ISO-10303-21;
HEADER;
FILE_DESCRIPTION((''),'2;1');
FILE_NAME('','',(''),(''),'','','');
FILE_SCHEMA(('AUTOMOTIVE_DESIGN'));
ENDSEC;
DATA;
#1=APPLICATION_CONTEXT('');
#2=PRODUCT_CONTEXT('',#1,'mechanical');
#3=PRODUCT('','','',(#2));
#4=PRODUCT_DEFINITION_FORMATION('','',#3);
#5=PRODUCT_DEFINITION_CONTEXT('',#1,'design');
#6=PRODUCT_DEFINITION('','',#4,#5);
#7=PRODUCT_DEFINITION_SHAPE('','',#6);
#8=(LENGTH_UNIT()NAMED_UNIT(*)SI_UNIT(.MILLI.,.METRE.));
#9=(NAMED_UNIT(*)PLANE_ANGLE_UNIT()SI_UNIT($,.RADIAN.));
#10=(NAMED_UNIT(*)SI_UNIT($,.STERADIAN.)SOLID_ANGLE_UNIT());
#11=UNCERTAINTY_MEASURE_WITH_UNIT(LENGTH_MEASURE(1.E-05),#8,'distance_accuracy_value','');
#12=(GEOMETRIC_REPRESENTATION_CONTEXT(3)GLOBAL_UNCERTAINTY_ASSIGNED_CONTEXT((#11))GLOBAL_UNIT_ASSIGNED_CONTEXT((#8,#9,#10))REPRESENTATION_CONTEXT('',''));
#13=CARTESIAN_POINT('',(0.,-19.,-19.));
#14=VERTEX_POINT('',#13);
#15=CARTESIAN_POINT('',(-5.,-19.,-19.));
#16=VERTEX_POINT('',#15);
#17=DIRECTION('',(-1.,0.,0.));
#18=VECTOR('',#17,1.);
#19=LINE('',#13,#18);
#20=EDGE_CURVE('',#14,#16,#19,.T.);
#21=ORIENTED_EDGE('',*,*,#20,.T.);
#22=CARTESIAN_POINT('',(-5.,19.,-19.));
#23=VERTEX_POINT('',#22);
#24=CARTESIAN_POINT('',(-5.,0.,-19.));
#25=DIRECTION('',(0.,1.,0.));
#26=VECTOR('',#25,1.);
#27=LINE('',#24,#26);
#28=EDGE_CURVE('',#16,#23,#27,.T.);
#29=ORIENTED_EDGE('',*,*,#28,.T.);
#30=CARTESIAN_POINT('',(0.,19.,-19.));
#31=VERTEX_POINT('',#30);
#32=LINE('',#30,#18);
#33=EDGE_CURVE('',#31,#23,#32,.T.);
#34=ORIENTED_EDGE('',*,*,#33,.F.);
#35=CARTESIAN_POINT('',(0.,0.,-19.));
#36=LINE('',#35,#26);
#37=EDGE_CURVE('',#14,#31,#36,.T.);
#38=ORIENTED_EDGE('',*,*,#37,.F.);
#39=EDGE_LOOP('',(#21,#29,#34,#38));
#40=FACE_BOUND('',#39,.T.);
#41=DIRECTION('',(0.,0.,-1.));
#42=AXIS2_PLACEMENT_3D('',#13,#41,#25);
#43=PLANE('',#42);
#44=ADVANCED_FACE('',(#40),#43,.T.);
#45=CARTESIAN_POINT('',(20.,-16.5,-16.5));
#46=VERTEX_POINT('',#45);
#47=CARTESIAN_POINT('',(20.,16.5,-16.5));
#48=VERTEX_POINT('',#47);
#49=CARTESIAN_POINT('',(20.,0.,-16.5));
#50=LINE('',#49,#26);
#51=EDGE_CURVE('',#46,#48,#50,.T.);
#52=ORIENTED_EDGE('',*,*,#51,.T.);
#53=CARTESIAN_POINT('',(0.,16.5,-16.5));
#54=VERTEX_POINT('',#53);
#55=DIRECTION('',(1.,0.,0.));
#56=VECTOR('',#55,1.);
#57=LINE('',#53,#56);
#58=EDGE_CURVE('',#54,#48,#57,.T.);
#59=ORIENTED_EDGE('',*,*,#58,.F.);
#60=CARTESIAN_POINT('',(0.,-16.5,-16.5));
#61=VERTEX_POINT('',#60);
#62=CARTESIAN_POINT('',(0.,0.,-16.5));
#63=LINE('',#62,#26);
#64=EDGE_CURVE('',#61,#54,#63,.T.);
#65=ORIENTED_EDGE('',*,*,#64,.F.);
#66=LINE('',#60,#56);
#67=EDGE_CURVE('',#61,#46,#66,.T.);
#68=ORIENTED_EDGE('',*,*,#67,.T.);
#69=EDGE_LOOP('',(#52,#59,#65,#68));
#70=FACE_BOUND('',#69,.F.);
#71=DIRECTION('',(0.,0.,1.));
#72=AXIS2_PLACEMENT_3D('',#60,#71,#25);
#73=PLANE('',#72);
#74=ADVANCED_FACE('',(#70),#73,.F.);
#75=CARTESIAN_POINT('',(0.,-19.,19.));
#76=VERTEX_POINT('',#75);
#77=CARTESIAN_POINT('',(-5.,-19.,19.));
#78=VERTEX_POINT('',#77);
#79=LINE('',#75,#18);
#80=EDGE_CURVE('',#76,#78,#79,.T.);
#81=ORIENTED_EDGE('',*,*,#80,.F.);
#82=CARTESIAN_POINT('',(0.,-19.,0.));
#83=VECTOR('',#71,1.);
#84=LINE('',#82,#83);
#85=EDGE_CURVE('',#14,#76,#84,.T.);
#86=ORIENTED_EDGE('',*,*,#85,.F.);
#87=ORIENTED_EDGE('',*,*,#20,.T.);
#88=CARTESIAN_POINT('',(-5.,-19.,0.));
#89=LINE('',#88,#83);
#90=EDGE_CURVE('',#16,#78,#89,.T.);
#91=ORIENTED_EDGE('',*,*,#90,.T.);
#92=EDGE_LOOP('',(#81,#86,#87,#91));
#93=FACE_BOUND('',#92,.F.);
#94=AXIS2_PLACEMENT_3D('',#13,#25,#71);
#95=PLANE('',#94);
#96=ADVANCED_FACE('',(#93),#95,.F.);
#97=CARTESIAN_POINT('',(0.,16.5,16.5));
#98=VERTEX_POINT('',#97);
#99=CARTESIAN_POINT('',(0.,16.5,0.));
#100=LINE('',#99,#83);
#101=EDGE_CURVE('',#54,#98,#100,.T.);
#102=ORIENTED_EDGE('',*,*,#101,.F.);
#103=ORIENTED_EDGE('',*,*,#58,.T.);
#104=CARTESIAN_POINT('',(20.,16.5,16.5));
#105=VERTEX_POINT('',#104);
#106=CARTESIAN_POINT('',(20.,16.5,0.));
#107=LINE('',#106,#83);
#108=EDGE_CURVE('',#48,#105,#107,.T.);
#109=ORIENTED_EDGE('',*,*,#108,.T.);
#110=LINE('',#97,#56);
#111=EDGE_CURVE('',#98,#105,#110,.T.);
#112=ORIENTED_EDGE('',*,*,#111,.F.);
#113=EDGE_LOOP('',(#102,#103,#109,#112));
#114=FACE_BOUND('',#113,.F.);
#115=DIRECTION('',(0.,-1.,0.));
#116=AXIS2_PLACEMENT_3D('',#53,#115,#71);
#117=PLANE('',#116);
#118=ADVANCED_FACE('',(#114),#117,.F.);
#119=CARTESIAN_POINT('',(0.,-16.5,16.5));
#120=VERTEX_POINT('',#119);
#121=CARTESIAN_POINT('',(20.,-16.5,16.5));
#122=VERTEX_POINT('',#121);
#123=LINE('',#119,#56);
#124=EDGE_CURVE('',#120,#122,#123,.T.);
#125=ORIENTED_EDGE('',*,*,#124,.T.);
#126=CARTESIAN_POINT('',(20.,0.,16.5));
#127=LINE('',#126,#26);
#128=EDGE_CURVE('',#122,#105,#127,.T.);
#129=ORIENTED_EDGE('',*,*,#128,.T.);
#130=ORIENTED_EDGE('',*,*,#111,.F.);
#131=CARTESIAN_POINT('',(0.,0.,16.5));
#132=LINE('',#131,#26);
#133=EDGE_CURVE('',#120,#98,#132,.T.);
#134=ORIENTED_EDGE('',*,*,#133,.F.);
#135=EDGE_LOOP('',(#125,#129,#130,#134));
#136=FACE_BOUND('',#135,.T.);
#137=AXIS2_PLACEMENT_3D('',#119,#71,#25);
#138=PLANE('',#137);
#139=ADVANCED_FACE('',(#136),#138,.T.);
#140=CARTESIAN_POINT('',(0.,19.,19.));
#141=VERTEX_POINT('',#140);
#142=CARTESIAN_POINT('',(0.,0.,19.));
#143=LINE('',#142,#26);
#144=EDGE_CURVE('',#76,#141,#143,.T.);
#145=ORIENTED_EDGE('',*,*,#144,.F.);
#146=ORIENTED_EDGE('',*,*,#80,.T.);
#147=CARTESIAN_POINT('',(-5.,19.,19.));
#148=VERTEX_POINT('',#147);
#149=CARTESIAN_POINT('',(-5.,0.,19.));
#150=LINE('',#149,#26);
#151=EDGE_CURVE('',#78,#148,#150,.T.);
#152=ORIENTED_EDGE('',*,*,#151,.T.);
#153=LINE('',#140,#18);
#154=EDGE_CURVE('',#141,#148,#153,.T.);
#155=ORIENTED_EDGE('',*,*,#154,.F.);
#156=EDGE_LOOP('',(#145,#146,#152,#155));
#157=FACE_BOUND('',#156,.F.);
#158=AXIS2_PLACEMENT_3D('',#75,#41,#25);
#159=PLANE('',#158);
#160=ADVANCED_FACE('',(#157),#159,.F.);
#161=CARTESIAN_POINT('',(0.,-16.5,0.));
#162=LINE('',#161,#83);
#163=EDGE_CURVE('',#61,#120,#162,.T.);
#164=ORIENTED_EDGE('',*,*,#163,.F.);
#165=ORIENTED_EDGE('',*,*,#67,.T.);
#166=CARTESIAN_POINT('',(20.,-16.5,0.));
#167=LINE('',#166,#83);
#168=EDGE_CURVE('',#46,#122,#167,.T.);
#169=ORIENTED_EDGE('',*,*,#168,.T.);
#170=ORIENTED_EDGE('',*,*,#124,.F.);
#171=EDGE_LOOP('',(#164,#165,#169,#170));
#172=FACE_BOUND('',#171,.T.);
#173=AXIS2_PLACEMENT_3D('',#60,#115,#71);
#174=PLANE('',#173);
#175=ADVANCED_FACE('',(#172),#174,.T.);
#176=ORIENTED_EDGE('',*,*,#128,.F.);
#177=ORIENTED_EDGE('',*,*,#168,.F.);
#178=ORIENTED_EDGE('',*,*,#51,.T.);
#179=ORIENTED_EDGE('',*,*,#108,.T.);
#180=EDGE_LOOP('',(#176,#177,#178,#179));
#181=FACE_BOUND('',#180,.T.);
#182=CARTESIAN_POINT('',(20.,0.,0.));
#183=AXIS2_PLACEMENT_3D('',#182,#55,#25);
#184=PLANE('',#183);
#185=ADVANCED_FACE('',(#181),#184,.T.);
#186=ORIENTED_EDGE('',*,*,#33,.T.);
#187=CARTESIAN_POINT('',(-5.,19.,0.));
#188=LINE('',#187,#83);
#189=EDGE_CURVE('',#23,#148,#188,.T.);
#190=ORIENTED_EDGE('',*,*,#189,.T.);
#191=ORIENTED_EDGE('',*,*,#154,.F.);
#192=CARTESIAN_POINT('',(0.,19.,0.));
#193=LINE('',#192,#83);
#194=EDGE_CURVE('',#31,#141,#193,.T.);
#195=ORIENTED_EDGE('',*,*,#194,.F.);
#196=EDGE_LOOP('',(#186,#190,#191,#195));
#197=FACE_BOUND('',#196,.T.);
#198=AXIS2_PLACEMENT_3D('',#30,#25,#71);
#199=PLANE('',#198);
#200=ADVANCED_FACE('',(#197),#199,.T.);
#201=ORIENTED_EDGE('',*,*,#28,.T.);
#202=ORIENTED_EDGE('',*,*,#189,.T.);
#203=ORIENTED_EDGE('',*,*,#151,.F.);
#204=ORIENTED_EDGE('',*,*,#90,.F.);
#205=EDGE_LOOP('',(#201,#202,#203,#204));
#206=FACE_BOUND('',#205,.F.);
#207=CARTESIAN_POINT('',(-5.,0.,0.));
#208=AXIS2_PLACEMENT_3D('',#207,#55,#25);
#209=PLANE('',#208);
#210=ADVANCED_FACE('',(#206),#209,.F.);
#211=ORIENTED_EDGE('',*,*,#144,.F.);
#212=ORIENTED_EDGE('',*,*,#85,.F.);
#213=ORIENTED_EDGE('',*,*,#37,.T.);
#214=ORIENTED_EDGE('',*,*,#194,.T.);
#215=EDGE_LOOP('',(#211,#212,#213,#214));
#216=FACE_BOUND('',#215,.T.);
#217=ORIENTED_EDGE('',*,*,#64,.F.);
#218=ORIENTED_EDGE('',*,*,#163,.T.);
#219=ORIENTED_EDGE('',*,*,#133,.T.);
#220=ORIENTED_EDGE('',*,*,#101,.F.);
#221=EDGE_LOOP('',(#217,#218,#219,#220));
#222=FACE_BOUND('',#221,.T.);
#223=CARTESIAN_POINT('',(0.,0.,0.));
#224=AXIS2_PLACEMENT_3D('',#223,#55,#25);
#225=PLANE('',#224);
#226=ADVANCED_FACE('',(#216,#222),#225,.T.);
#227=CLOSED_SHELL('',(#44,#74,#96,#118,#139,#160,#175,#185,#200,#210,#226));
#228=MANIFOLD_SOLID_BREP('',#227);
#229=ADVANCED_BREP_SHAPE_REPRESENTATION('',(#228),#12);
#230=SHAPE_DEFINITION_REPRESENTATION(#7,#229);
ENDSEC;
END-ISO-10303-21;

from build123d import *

# Parameters (mm, degrees)
F0_W     = 33
F0_H     = 33
F1_DEPTH = 20
F0_W_2   = 38
F0_H_2   = 38
F2_DEPTH = 5


with BuildPart() as f1:
    # F0 (on Right) → F1 (new body)
    with BuildSketch(Plane.YZ):
        Rectangle(F0_W, F0_H)
    extrude(amount=F1_DEPTH)

    # F0 (on Right) → F2 (join)
    with BuildSketch(Plane.YZ):
        Rectangle(F0_W_2, F0_H_2)
        Rectangle(F0_W, F0_H, mode=Mode.SUBTRACT)
        Rectangle(F0_W, F0_H)
    extrude(amount=-F2_DEPTH)


solid = f1.part
